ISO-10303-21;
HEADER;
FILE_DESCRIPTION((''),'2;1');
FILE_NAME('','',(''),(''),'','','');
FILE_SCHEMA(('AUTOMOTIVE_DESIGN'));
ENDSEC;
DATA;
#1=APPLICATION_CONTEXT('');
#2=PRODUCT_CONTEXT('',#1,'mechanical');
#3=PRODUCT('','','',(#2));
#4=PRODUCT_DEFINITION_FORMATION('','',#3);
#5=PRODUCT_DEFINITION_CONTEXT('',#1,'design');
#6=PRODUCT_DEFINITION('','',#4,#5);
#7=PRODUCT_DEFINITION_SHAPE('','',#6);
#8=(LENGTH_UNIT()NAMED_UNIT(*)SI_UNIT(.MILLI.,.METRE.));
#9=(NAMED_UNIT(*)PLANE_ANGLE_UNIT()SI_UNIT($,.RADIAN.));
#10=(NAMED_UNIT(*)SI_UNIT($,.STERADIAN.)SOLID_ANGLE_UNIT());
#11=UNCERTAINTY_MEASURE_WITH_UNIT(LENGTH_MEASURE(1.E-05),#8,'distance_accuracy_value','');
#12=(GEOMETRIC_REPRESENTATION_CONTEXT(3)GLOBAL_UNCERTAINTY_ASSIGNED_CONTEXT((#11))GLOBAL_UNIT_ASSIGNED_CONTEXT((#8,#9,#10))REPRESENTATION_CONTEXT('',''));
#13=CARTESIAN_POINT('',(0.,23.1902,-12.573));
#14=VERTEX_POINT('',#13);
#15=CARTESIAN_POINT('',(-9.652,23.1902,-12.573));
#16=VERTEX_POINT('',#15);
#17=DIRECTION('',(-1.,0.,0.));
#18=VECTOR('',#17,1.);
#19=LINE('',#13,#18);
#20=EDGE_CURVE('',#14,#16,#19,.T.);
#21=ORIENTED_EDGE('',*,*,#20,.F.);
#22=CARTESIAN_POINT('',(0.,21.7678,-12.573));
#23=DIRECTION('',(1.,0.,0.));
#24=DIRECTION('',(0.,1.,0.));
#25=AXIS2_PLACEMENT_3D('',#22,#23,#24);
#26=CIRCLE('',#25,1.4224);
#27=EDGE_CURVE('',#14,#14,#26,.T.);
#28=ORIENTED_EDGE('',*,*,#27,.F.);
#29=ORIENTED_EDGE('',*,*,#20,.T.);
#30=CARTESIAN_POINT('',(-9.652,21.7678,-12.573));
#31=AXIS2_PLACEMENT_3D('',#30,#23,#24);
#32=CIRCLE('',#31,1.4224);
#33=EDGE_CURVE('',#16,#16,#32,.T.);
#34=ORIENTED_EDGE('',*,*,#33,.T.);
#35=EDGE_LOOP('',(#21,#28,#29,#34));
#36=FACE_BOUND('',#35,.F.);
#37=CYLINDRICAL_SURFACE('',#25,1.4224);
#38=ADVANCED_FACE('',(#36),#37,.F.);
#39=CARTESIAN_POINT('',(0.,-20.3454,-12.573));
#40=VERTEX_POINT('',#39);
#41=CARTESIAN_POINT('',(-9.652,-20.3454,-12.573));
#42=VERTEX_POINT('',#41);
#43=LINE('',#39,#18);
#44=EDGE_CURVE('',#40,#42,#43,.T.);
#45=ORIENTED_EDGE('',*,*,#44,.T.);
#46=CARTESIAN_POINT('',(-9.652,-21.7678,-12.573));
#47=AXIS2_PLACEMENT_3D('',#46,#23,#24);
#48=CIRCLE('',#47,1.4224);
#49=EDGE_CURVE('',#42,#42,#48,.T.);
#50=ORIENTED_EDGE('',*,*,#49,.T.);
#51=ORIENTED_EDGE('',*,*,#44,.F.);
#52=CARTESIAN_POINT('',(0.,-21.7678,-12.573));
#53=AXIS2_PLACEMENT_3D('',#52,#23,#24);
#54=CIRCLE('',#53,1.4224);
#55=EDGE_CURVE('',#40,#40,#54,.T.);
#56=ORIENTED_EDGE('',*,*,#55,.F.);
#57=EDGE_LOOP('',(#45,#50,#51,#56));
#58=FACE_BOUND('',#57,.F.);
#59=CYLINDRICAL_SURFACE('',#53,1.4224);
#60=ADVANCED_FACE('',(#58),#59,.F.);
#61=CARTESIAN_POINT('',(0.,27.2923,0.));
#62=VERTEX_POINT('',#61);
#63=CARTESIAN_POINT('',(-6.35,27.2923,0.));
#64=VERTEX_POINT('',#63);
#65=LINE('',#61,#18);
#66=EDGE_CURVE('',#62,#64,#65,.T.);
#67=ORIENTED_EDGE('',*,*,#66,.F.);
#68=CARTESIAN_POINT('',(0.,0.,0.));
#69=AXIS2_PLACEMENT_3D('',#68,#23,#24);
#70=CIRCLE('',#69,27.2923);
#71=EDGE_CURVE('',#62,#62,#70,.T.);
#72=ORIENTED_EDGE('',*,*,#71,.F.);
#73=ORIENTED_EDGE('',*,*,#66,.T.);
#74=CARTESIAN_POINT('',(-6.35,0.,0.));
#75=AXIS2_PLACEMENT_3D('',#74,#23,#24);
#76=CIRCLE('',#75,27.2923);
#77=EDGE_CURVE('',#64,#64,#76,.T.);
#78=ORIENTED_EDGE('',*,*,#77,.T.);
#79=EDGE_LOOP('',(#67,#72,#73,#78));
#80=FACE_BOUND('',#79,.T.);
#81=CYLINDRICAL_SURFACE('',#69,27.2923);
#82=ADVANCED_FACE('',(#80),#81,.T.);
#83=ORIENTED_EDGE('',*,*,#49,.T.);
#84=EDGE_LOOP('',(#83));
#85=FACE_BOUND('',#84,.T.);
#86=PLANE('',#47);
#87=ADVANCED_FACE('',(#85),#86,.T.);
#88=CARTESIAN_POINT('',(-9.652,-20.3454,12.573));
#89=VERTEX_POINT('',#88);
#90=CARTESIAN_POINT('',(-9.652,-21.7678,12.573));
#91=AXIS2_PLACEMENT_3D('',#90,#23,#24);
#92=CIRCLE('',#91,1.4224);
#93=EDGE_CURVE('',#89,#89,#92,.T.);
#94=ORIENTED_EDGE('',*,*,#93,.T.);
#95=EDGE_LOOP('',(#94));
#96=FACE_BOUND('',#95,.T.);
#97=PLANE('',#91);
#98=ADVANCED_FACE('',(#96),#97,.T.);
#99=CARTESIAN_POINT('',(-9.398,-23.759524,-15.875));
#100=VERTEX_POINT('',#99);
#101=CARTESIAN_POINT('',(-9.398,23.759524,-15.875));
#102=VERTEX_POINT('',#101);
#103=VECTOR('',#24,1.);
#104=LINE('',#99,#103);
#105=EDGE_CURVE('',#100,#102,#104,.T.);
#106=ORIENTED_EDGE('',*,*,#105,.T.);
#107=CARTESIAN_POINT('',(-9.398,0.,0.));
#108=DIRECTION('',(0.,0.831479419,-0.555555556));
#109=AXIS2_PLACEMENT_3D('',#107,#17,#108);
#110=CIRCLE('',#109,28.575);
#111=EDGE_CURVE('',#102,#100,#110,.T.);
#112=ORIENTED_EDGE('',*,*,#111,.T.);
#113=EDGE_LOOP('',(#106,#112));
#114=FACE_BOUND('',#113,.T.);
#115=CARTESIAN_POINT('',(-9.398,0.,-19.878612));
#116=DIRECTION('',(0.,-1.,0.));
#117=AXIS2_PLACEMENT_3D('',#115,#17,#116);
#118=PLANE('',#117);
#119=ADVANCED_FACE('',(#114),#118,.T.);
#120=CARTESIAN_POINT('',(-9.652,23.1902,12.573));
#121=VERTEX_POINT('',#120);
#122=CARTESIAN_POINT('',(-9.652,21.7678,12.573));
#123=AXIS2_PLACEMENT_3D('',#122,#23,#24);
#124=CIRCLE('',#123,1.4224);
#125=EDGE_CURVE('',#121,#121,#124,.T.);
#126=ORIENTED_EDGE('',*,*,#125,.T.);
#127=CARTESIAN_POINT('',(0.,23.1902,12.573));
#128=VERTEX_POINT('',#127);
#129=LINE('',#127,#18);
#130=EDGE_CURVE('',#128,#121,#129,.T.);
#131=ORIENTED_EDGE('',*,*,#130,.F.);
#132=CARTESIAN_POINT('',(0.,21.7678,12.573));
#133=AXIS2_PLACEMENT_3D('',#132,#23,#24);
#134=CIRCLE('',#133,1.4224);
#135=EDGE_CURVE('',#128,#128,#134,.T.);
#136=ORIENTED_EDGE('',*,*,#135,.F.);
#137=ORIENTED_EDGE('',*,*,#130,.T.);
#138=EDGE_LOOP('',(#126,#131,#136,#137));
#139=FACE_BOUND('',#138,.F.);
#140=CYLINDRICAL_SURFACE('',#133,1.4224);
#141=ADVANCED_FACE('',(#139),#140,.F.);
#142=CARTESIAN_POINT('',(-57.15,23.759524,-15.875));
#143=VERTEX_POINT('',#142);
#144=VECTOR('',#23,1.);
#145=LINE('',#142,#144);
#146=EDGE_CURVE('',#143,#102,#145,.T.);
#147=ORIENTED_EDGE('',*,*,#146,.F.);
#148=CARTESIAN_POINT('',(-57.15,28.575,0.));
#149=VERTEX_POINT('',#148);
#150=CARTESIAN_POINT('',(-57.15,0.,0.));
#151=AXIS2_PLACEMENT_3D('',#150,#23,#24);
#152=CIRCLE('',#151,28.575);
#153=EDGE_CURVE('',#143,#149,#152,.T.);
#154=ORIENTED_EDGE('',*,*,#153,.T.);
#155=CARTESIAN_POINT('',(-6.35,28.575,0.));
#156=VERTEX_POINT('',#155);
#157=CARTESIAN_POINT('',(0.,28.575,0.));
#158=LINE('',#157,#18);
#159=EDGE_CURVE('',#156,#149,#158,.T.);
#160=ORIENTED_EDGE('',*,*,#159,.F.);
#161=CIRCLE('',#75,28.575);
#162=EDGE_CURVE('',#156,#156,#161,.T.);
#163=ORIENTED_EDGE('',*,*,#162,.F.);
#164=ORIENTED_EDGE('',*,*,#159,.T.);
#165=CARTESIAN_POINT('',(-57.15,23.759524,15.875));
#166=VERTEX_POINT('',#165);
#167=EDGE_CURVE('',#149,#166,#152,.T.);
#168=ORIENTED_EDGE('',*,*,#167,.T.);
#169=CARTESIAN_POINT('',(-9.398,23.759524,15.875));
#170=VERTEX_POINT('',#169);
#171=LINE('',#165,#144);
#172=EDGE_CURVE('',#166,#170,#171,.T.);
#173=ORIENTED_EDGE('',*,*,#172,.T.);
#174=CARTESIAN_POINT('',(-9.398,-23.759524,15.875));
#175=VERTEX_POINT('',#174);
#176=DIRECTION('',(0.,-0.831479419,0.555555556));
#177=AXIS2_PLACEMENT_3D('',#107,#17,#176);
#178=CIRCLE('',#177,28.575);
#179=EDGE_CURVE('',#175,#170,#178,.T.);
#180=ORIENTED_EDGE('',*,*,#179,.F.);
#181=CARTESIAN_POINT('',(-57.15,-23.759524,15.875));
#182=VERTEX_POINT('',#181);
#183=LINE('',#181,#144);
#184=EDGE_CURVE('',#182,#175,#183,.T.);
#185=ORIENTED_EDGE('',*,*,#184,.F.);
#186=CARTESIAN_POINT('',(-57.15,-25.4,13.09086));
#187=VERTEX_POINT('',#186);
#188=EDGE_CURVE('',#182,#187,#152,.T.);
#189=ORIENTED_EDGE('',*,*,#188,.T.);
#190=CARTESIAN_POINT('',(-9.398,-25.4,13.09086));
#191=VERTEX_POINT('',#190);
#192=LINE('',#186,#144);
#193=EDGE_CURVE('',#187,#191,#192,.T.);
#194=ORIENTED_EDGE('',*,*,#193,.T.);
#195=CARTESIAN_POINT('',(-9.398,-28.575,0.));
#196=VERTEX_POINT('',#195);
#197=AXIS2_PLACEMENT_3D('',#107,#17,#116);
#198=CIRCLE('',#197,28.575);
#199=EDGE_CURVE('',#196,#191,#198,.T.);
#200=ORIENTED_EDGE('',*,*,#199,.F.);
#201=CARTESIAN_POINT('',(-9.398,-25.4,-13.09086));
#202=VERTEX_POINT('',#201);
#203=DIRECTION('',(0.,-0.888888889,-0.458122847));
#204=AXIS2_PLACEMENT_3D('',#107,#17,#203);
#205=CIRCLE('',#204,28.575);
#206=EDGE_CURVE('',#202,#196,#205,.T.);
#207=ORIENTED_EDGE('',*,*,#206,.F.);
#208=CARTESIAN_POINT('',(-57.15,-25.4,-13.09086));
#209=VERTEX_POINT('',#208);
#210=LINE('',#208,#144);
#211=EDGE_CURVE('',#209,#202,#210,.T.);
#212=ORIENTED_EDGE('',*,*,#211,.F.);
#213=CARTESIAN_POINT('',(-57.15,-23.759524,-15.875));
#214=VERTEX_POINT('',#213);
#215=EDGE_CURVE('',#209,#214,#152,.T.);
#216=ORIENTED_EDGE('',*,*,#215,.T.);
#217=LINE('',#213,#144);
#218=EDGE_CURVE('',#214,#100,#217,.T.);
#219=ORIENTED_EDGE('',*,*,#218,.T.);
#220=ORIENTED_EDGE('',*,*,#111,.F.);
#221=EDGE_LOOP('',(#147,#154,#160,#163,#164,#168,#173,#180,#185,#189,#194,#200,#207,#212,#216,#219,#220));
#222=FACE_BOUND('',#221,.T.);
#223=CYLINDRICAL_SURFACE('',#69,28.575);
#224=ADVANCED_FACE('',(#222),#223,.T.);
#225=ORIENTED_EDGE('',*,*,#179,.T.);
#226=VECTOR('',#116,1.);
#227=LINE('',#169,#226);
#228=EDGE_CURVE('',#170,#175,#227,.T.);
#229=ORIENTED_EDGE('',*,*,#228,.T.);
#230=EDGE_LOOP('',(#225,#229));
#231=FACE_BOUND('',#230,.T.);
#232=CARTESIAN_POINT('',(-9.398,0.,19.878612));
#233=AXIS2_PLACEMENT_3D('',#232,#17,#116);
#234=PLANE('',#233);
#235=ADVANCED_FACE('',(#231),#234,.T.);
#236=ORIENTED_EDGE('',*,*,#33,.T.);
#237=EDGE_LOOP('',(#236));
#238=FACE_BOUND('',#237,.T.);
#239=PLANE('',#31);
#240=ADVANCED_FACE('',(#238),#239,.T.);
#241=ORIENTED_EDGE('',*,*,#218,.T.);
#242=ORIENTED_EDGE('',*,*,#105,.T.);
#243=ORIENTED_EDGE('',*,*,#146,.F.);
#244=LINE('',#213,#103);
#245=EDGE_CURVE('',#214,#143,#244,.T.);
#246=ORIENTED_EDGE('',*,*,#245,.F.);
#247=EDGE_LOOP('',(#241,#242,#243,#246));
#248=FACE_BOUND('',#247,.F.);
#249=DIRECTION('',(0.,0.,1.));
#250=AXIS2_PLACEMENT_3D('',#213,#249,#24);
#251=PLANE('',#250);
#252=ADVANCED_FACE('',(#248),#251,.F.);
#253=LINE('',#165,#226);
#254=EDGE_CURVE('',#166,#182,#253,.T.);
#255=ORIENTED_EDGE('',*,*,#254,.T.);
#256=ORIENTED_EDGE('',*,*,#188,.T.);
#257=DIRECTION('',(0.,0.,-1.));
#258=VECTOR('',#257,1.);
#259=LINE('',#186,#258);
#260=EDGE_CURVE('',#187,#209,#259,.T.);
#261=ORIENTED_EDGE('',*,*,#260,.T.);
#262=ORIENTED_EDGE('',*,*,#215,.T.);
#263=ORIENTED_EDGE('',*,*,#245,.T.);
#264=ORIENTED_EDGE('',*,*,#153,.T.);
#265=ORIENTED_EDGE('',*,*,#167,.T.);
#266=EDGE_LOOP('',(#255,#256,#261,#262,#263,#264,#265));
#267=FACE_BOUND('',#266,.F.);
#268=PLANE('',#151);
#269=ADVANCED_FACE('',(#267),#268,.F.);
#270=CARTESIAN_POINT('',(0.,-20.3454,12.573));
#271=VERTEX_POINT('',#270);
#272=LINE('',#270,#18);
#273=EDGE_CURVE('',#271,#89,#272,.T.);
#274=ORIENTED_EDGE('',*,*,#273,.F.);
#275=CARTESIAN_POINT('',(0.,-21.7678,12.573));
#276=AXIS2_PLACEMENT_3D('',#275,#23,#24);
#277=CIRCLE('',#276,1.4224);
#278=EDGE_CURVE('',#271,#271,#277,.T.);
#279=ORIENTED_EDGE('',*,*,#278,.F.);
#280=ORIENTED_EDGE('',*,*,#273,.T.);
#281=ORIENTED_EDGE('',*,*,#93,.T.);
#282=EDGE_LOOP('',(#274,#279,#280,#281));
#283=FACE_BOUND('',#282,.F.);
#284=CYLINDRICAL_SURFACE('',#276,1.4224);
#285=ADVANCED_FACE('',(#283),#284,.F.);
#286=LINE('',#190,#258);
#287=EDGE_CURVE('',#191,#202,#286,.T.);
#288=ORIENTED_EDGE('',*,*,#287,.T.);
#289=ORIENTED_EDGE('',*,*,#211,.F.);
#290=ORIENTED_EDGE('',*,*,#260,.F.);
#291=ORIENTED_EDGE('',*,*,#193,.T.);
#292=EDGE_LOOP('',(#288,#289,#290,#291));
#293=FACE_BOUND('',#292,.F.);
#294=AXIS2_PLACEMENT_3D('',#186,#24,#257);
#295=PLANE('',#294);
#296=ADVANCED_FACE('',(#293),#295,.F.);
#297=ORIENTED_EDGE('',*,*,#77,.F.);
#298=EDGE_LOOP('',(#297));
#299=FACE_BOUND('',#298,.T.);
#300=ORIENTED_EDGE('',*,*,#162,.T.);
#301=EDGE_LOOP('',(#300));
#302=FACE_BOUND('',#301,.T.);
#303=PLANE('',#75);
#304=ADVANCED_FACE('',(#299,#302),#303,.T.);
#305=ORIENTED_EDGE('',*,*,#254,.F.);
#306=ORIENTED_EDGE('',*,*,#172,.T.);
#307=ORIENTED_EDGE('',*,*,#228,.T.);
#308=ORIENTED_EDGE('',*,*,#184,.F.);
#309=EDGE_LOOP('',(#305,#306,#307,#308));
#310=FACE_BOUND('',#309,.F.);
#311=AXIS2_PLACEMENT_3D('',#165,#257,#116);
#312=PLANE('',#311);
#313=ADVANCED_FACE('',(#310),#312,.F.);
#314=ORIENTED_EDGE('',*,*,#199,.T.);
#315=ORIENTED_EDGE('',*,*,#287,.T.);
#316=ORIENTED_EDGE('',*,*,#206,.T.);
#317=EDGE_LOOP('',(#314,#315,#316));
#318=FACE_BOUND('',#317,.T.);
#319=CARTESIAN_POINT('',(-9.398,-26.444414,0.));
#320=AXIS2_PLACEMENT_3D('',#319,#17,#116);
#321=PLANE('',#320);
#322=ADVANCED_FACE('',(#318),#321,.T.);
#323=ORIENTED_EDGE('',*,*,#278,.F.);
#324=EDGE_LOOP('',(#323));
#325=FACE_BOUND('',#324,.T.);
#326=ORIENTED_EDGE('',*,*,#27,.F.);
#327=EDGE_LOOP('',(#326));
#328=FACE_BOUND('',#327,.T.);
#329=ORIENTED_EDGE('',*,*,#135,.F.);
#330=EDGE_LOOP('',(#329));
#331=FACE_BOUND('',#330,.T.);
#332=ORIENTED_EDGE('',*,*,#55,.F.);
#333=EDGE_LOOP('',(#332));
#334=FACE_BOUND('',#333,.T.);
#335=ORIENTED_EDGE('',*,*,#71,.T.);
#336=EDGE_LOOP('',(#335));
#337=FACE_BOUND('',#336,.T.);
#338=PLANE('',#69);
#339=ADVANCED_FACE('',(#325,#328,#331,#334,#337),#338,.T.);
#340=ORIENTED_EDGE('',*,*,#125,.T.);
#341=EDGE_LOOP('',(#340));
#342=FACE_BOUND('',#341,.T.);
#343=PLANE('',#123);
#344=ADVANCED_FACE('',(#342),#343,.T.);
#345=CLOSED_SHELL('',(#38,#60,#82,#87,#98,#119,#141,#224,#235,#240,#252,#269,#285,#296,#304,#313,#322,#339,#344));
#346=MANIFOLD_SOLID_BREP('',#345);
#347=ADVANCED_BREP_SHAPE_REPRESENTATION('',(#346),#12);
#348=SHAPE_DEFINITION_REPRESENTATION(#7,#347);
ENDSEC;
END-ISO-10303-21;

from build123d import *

# Parameters (mm, degrees)
F0_R     = 28.575
F0_R_2   = 27.2923
F1_DEPTH = 57.15
F2_DEPTH = 6.35
F4_DEPTH = 47.752
F5_R     = 1.4224
F6_DEPTH = 9.652


with BuildPart() as f1:
    # F0 (on Right) → F1 (new body)
    with BuildSketch(Plane.YZ):
        Circle(F0_R)
        Circle(F0_R_2, mode=Mode.SUBTRACT)
        Circle(F0_R_2)
    extrude(amount=-F1_DEPTH)

    # F0 (on Right) → F2 (cut)
    with BuildSketch(Plane.YZ):
        Circle(F0_R)
        Circle(F0_R_2, mode=Mode.SUBTRACT)
    extrude(amount=-F2_DEPTH, mode=Mode.SUBTRACT)

    # F3 (on face) → F4 (cut)
    with BuildSketch(Plane(origin=(-57.15, 0, 0), x_dir=(0, -1, 0), z_dir=(-1, 0, 0))):
        with BuildLine():
            ThreePointArc((-23.759524406, -15.875), (0, -28.575), (23.759524406, -15.875))
            Line((23.759524406, -15.875), (-23.759524406, -15.875))
        make_face()
        with BuildLine():
            Line((25.4, 13.0908603613), (25.4, -13.0908603613))
            ThreePointArc((25.4, -13.0908603613), (27.7699083992, -6.7351920908), (28.575, 0))
            ThreePointArc((28.575, 0), (27.7699083992, 6.7351920908), (25.4, 13.0908603613))
        make_face()
        with BuildLine():
            Line((-23.759524406, 15.875), (23.759524406, 15.875))
            ThreePointArc((23.759524406, 15.875), (0, 28.575), (-23.759524406, 15.875))
        make_face()
    extrude(amount=-F4_DEPTH, mode=Mode.SUBTRACT)

    # F5 (on face) → F6 (cut)
    with BuildSketch(Plane.YZ):
        with Locations((-21.7678, 12.573)):
            Circle(F5_R)
        with Locations((21.7678, 12.573)):
            Circle(F5_R)
        with Locations((21.7678, -12.573)):
            Circle(F5_R)
        with Locations((-21.7678, -12.573)):
            Circle(F5_R)
    extrude(amount=-F6_DEPTH, mode=Mode.SUBTRACT)


solid = f1.part
